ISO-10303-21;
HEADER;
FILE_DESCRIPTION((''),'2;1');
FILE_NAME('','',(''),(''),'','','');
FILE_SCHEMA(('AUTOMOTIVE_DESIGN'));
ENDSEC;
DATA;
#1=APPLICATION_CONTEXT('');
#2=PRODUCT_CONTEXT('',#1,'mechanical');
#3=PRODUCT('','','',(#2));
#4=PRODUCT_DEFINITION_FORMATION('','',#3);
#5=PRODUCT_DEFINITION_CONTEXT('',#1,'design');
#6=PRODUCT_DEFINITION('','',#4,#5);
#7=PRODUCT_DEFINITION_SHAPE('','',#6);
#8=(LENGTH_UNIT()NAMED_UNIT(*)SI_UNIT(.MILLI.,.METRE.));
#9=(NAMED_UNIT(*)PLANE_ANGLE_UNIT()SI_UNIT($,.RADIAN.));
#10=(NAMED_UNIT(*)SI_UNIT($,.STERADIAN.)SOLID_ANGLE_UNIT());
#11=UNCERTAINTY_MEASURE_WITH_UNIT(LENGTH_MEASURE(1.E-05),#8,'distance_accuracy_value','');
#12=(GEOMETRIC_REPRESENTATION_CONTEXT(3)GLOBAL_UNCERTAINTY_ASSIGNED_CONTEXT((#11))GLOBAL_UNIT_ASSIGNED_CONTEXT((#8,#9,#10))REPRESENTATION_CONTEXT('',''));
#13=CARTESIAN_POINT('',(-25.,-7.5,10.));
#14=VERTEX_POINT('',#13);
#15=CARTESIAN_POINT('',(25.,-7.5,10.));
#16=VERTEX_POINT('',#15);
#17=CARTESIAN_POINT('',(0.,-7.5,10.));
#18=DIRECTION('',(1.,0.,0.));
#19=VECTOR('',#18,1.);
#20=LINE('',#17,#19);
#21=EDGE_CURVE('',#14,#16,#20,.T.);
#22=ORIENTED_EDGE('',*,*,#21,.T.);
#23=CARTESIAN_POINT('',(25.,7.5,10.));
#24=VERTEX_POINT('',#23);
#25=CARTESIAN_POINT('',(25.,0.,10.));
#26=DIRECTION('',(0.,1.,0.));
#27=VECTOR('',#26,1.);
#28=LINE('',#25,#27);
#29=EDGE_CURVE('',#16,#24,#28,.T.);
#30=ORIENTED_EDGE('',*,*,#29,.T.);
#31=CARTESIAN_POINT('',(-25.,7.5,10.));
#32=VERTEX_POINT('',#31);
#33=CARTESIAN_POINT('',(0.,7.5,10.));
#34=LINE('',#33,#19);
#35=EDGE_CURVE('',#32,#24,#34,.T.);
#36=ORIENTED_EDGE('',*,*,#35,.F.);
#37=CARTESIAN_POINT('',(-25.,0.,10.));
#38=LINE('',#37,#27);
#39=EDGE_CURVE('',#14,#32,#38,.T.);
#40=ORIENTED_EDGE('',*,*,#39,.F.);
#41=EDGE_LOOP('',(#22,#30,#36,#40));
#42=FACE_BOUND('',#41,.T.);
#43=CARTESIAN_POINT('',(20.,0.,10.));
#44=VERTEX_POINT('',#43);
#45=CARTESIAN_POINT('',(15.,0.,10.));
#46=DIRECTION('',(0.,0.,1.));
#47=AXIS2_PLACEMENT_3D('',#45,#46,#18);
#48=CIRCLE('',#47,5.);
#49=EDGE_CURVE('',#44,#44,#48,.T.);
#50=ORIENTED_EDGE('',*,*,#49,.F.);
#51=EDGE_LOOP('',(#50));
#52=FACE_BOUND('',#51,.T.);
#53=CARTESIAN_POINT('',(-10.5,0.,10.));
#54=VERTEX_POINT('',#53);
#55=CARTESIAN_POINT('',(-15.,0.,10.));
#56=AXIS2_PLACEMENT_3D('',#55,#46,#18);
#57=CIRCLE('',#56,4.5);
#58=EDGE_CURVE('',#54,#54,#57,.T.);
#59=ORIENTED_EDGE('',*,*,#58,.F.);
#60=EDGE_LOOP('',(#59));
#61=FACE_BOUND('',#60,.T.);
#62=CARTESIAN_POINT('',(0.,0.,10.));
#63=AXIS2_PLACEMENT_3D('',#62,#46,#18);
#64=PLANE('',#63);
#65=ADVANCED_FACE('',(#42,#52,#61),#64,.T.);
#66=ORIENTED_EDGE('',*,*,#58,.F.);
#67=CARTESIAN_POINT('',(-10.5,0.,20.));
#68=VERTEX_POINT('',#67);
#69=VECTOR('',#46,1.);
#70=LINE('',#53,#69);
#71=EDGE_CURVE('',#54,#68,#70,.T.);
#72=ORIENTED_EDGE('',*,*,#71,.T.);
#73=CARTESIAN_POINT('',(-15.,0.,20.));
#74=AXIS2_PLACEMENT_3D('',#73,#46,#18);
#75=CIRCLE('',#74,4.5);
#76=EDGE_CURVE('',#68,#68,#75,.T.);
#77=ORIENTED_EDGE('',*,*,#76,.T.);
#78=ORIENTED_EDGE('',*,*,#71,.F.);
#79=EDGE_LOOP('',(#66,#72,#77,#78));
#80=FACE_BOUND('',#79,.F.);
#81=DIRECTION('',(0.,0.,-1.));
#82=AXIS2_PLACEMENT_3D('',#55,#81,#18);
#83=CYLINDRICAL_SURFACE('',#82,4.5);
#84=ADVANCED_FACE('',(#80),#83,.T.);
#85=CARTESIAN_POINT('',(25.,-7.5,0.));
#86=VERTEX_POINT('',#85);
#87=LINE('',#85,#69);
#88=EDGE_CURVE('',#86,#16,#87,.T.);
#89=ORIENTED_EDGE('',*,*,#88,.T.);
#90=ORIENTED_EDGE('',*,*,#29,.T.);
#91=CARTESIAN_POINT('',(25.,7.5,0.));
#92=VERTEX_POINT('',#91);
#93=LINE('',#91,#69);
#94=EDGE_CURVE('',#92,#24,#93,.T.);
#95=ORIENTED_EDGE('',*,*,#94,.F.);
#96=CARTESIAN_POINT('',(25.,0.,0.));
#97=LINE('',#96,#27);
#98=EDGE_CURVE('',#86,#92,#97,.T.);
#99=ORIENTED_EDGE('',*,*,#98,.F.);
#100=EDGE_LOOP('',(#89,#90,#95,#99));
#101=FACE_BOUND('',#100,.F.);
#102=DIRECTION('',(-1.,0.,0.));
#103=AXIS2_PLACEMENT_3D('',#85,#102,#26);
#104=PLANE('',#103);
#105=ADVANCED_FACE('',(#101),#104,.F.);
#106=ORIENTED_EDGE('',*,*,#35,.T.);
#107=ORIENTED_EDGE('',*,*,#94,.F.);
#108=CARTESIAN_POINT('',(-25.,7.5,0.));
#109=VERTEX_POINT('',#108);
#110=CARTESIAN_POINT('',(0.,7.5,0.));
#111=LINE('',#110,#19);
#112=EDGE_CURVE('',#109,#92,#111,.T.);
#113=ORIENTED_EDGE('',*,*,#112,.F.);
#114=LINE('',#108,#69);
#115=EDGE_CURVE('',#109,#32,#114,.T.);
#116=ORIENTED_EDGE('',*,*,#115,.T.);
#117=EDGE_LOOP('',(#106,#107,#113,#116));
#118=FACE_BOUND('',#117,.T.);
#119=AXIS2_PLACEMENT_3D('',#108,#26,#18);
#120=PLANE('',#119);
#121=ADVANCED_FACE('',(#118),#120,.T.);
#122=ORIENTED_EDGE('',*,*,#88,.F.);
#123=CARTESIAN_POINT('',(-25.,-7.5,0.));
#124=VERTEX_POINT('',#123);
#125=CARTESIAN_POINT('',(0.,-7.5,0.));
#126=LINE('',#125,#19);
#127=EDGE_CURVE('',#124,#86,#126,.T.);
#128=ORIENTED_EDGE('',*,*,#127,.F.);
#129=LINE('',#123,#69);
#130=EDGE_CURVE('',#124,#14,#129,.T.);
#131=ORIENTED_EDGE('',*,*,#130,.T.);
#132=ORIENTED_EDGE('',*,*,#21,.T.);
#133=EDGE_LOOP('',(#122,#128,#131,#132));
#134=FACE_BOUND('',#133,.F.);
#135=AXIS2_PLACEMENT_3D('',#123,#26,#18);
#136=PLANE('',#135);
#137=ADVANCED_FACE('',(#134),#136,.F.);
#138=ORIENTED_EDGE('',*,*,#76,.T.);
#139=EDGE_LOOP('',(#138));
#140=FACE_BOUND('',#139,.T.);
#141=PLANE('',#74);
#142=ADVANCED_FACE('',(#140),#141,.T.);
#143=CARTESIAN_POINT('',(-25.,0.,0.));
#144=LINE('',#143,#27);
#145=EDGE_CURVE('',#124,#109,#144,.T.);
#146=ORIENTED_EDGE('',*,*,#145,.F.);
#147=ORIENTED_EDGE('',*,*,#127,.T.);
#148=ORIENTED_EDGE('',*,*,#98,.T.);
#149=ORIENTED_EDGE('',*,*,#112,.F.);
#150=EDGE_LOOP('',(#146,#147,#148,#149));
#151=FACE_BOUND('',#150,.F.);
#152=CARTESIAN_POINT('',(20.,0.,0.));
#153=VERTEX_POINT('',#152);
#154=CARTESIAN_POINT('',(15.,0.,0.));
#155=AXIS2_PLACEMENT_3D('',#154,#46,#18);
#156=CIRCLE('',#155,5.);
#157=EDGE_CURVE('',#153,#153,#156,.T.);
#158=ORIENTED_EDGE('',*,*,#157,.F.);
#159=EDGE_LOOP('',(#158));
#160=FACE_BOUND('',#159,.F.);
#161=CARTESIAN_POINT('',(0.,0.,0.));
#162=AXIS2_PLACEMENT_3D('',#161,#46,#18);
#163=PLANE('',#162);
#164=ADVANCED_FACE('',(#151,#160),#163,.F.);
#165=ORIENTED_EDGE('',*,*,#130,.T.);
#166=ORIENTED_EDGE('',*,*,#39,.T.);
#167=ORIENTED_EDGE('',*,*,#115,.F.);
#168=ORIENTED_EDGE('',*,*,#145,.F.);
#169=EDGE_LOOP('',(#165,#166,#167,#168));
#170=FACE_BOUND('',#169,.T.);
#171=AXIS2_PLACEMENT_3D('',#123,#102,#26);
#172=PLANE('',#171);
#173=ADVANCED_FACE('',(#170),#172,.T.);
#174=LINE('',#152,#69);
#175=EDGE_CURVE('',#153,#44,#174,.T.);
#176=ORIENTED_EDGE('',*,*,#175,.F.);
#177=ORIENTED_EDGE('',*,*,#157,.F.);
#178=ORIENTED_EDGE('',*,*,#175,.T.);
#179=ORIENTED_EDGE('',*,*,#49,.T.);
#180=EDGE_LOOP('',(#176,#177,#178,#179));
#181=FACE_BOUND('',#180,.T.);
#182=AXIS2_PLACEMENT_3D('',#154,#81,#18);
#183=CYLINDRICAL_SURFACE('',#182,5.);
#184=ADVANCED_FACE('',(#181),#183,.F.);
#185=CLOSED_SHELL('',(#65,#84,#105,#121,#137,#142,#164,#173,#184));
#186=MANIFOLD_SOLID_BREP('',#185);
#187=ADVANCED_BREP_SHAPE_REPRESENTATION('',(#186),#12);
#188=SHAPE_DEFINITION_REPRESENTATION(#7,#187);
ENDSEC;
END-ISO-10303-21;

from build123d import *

# Parameters (mm, degrees)
F0_W     = 50
F0_H     = 15
F0_R     = 5
F1_DEPTH = 10
F2_R     = 4.5
F3_DEPTH = 10


with BuildPart() as f1:
    # F0 (on Top) → F1 (new body)
    with BuildSketch(Plane.XY):
        Rectangle(F0_W, F0_H)
        with Locations((15, 0)):
            Circle(F0_R, mode=Mode.SUBTRACT)
    extrude(amount=F1_DEPTH)

    # F2 (on face) → F3 (join)
    with BuildSketch(Plane.XY.offset(10)):
        with Locations((-15, 0)):
            Circle(F2_R)
    extrude(amount=F3_DEPTH)


solid = f1.part
